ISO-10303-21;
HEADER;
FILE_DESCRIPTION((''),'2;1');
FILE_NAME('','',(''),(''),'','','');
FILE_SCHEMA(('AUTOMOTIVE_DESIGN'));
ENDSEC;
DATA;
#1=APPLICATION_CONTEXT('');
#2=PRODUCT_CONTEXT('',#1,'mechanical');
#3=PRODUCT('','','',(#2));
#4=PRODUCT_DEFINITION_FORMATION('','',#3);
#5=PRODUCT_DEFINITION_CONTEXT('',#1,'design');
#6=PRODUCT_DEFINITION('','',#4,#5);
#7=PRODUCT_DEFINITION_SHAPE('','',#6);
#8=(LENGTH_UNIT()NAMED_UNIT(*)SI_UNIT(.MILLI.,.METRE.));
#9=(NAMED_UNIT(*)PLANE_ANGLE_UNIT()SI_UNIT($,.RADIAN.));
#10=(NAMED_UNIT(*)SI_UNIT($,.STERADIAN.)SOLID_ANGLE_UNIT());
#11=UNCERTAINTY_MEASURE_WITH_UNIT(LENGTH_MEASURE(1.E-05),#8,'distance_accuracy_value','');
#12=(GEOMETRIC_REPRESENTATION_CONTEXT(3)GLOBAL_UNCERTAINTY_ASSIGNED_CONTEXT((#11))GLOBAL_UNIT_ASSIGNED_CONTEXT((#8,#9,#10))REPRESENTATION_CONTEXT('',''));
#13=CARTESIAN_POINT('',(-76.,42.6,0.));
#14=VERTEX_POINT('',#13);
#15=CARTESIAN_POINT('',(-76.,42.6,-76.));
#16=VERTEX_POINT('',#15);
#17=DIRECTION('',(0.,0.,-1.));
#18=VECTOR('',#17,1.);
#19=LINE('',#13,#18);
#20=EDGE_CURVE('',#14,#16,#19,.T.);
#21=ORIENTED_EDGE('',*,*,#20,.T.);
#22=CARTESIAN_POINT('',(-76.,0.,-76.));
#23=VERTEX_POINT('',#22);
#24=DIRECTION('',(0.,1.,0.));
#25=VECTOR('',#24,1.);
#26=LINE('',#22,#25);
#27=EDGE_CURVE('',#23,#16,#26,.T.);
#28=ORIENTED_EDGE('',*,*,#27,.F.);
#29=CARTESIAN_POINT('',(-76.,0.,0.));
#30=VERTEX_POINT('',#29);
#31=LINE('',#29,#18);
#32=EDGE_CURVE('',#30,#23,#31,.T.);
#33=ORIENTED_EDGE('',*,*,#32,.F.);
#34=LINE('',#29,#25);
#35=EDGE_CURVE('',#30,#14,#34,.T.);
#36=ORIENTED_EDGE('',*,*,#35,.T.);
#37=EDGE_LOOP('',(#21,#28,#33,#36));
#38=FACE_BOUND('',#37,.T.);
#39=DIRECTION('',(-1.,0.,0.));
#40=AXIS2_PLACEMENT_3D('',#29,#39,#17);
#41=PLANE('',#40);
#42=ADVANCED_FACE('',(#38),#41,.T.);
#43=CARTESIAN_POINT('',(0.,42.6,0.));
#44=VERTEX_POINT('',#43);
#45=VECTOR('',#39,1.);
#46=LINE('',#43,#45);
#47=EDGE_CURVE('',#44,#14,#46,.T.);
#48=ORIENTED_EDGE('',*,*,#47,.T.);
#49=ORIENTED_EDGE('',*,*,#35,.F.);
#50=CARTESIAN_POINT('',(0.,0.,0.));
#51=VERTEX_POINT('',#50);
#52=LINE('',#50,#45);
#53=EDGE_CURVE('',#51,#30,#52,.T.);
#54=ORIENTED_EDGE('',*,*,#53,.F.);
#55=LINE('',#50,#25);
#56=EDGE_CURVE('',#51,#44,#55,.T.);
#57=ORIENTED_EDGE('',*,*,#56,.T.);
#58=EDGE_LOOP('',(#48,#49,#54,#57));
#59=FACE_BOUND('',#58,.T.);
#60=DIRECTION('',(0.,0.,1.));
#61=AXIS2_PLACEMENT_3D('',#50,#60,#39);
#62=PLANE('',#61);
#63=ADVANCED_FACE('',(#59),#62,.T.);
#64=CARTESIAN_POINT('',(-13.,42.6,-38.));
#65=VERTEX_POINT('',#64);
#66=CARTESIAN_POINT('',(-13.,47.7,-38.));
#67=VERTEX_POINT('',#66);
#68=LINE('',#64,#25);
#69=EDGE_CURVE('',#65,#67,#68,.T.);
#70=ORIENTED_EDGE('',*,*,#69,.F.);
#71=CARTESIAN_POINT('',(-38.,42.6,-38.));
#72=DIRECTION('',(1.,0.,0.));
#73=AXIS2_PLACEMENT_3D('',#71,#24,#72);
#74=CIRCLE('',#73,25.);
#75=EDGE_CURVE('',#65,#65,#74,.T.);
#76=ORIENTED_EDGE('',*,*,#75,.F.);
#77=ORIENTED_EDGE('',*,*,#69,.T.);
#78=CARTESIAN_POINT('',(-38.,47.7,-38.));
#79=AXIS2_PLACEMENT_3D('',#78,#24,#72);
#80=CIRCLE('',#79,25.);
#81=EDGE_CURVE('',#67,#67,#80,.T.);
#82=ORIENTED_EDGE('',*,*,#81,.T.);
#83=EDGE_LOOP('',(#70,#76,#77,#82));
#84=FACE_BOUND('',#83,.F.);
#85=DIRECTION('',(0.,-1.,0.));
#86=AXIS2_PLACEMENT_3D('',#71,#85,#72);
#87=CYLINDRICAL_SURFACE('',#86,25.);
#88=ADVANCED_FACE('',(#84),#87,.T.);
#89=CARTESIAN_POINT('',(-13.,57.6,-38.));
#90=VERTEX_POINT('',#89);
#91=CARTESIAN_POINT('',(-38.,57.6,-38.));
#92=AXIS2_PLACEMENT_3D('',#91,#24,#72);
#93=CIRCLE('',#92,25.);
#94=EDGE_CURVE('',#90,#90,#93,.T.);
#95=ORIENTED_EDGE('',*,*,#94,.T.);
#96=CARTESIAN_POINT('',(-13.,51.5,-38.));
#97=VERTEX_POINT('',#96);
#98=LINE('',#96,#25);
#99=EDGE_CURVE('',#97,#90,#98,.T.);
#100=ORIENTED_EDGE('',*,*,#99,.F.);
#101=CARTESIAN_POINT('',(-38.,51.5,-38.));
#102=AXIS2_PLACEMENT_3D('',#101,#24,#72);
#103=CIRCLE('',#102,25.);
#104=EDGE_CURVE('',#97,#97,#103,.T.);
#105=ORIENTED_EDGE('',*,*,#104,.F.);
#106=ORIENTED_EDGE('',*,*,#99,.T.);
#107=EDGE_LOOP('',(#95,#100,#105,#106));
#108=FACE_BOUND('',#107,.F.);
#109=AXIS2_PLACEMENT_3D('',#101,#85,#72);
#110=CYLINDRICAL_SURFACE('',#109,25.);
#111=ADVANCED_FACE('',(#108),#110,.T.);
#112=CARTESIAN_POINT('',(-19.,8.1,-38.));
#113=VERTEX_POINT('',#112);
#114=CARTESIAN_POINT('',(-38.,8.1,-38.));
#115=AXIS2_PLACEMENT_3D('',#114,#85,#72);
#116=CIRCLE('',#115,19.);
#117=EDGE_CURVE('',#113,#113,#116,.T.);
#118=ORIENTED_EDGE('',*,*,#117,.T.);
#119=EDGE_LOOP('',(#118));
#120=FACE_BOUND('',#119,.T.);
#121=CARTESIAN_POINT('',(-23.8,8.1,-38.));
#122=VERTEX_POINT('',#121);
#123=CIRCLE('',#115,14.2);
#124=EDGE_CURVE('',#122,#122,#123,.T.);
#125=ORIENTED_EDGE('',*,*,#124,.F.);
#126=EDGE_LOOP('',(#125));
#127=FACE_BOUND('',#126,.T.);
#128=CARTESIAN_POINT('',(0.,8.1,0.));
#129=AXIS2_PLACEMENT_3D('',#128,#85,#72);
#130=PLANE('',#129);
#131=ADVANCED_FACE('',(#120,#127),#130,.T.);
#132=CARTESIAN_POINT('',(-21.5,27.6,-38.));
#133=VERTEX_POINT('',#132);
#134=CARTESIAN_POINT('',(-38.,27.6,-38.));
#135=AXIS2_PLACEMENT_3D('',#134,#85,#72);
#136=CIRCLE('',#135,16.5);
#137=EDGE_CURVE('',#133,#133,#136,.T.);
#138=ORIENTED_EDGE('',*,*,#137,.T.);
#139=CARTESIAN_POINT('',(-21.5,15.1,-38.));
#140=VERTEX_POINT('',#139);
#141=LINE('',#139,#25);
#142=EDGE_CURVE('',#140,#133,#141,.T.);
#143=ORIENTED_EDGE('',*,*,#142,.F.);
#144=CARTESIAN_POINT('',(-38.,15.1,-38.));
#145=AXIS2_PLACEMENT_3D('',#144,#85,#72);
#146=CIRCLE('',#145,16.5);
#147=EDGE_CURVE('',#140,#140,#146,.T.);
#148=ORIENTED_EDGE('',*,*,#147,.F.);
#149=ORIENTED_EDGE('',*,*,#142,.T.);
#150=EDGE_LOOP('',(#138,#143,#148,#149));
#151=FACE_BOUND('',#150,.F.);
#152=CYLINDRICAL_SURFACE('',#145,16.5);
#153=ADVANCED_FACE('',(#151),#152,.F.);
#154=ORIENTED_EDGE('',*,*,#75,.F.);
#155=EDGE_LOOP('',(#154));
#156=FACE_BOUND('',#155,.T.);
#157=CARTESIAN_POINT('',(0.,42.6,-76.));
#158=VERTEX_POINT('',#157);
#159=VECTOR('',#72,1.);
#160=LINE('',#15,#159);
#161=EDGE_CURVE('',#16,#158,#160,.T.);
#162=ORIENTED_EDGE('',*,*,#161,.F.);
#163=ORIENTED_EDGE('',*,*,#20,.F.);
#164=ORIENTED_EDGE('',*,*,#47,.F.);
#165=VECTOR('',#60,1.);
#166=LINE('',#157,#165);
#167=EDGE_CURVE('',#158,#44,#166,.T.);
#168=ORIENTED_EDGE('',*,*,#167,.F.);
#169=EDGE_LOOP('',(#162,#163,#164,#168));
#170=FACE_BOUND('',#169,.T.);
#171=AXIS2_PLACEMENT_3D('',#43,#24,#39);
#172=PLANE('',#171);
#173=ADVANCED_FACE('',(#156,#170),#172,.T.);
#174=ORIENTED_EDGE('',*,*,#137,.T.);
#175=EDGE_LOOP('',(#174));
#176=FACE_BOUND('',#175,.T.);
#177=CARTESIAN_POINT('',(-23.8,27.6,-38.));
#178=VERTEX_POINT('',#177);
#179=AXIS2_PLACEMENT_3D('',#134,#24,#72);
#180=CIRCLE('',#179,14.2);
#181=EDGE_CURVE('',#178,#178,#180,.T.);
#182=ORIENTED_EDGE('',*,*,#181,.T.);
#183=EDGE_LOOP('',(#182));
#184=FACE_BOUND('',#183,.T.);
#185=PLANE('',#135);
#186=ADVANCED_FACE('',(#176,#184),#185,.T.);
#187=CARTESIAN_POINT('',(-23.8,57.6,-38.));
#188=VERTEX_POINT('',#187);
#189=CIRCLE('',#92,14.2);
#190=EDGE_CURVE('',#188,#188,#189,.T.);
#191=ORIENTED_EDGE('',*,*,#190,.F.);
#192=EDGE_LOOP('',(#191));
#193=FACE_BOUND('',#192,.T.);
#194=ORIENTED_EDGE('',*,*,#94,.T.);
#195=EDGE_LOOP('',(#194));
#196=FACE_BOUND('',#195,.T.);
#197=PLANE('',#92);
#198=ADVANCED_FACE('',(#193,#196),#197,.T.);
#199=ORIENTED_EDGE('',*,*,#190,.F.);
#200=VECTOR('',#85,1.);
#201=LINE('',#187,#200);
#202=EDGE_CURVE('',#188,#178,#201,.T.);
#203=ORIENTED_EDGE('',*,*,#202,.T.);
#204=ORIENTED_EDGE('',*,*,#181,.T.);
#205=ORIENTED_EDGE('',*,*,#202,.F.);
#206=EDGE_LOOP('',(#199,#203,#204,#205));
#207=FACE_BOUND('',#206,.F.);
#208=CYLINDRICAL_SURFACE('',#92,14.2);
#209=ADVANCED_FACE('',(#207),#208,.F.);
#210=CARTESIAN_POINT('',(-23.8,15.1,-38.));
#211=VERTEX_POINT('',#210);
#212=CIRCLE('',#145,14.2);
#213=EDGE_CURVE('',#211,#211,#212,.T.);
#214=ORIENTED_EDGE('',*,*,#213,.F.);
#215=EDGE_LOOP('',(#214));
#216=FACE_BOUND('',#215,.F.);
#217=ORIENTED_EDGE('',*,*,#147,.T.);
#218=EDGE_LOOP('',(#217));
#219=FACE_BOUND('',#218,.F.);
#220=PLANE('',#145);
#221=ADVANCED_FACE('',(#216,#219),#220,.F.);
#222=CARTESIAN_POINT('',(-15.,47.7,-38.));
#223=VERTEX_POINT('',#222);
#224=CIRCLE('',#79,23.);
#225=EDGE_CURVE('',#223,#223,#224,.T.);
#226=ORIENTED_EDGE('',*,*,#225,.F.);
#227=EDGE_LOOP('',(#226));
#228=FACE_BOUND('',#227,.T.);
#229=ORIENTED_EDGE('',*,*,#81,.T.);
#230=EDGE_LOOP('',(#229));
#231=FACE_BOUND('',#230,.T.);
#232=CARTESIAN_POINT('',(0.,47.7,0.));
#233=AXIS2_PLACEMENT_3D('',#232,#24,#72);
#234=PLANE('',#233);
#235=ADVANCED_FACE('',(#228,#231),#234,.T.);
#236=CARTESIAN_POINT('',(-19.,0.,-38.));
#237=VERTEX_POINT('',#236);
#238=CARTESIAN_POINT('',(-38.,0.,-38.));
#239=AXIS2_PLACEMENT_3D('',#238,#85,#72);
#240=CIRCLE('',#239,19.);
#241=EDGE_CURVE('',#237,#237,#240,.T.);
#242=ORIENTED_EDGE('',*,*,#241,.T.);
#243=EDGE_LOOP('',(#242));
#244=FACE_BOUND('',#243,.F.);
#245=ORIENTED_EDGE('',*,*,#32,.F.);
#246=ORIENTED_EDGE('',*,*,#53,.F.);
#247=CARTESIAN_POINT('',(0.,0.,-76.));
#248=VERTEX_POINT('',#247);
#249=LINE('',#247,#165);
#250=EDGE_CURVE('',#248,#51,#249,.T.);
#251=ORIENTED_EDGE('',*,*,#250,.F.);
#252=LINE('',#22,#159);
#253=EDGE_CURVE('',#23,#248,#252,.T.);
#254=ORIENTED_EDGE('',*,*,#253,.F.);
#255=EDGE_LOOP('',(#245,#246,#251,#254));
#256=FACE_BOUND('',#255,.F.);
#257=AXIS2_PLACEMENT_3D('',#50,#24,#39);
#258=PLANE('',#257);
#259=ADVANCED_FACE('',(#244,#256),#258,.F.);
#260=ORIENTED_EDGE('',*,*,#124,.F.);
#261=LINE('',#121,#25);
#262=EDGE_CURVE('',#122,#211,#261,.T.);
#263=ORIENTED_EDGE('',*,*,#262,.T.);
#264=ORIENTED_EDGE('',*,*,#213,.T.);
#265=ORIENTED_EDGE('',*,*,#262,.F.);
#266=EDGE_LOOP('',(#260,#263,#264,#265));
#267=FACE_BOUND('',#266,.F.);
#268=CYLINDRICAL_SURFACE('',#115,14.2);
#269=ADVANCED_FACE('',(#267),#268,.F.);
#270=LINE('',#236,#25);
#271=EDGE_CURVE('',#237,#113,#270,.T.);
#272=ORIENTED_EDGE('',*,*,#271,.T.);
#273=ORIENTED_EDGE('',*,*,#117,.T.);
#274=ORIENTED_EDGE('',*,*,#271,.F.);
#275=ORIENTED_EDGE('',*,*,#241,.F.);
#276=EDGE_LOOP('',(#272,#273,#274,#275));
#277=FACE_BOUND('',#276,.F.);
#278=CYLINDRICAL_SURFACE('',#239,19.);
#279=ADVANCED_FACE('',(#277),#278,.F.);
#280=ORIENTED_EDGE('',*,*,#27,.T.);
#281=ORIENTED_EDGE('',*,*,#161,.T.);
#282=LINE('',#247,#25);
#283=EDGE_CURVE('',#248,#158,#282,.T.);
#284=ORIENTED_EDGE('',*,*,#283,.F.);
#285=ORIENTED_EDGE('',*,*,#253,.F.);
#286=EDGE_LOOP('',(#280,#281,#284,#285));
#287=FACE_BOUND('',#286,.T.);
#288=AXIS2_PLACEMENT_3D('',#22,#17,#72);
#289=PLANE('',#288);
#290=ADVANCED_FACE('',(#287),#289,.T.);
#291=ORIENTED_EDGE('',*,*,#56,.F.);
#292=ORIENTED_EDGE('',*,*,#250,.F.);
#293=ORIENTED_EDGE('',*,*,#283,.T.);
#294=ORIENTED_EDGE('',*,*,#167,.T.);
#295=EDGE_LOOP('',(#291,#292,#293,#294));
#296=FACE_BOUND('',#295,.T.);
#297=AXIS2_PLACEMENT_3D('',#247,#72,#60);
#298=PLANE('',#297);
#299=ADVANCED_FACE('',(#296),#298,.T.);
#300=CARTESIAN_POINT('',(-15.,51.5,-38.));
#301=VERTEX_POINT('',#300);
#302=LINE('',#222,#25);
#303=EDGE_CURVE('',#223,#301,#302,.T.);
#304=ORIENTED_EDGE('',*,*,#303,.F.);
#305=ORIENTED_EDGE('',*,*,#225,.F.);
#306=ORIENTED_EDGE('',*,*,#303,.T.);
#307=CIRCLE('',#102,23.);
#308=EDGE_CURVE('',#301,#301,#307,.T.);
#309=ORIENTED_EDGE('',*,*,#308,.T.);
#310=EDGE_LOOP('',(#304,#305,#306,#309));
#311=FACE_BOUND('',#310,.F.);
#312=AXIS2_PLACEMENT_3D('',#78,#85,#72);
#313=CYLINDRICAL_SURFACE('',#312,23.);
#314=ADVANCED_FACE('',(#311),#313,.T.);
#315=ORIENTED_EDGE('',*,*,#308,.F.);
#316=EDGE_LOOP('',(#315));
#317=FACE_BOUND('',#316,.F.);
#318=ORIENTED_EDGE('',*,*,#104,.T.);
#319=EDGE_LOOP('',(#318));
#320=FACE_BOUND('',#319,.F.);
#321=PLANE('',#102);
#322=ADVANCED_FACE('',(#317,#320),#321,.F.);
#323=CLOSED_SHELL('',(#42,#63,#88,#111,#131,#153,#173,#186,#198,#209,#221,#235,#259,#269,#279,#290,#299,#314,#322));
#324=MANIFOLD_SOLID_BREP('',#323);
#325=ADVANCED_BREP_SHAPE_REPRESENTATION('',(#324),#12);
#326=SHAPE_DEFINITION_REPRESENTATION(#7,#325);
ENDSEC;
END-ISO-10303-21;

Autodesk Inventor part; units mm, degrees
ref_plane "YZ Plane" through (0, 0, 0) normal (1, 0, 0) x (0, 1, 0)
ref_plane "XZ Plane" through (0, 0, 0) normal (0, 1, 0) x (-1, 0, 0)
ref_plane "XY Plane" through (0, 0, 0) normal (0, 0, 1) x (1, 0, 0)
sketch "Sketch1" plane through (0, 0, 0) normal (0, 1, 0) x (-1, 0, 0)
  point P0 (0, 0)
sketch "Sketch2" plane through (0, 0, 0) normal (0, 1, 0) x (-1, 0, 0)
  line L0 (0, 0) -> (76, 0)
  line L1 (76, 0) -> (76, -76)
  line L2 (76, -76) -> (0, -76)
  line L3 (0, -76) -> (0, 0)
  dimension "d3" = 76
  dimension "d4" = 76
extrude "Extrusion1" add sketch "Sketch2" along normal blind 42.6
sketch "Sketch3" plane through (0, 42.6, 0) normal (0, 1, 0) x (1, 0, 0)
  circle A0 centre (-38, 38) radius 25
  point P0 (0, 0)
  dimension "d7" = 50
extrude "Extrusion2" add sketch "Sketch3" along normal blind 5.1
sketch "Sketch4" plane through (-38, 47.7, -38) normal (0, 1, 0) x (1, 0, 0)
  circle A0 centre (0, 0) radius 23
  point P0 (38, -38)
  dimension "d10" = 46
extrude "Extrusion3" add sketch "Sketch4" along normal blind 3.8
sketch "Sketch5" plane through (-38, 51.5, -38) normal (0, 1, 0) x (1, 0, 0)
  circle A0 centre (0, 0) radius 25
  point P0 (38, -38)
extrude "Extrusion4" add sketch "Sketch5" along normal blind 6.1
sketch "Sketch6" plane through (0, 0, 0) normal (0, -1, 0) x (1, 0, 0)
  circle A0 centre (-38, -38) radius 19
  point P0 (0, 0)
  dimension "d15" = 38
extrude "Extrusion5" cut sketch "Sketch6" against normal blind 8.1
sketch "Sketch7" plane through (-38, 8.1, -38) normal (0, -1, 0) x (1, 0, 0)
  circle A0 centre (0, 0) radius 14.2
  point P0 (38, 38)
  dimension "d18" = 28.4
extrude "Extrusion6" cut sketch "Sketch7" against normal blind 7
sketch "Sketch8" plane through (-38, 15.1, -38) normal (0, -1, 0) x (1, 0, 0)
  circle A0 centre (0, 0) radius 16.5
  point P0 (38, 38)
  dimension "d21" = 33
extrude "Extrusion7" cut sketch "Sketch8" against normal blind 12.5
sketch "Sketch9" plane through (-38, 57.6, -38) normal (0, 1, 0) x (1, 0, 0)
  circle A0 centre (0, 0) radius 14.2
  point P0 (38, -38)
  dimension "d24" = 28.4
extrude "Extrusion8" cut sketch "Sketch9" against normal blind 30
